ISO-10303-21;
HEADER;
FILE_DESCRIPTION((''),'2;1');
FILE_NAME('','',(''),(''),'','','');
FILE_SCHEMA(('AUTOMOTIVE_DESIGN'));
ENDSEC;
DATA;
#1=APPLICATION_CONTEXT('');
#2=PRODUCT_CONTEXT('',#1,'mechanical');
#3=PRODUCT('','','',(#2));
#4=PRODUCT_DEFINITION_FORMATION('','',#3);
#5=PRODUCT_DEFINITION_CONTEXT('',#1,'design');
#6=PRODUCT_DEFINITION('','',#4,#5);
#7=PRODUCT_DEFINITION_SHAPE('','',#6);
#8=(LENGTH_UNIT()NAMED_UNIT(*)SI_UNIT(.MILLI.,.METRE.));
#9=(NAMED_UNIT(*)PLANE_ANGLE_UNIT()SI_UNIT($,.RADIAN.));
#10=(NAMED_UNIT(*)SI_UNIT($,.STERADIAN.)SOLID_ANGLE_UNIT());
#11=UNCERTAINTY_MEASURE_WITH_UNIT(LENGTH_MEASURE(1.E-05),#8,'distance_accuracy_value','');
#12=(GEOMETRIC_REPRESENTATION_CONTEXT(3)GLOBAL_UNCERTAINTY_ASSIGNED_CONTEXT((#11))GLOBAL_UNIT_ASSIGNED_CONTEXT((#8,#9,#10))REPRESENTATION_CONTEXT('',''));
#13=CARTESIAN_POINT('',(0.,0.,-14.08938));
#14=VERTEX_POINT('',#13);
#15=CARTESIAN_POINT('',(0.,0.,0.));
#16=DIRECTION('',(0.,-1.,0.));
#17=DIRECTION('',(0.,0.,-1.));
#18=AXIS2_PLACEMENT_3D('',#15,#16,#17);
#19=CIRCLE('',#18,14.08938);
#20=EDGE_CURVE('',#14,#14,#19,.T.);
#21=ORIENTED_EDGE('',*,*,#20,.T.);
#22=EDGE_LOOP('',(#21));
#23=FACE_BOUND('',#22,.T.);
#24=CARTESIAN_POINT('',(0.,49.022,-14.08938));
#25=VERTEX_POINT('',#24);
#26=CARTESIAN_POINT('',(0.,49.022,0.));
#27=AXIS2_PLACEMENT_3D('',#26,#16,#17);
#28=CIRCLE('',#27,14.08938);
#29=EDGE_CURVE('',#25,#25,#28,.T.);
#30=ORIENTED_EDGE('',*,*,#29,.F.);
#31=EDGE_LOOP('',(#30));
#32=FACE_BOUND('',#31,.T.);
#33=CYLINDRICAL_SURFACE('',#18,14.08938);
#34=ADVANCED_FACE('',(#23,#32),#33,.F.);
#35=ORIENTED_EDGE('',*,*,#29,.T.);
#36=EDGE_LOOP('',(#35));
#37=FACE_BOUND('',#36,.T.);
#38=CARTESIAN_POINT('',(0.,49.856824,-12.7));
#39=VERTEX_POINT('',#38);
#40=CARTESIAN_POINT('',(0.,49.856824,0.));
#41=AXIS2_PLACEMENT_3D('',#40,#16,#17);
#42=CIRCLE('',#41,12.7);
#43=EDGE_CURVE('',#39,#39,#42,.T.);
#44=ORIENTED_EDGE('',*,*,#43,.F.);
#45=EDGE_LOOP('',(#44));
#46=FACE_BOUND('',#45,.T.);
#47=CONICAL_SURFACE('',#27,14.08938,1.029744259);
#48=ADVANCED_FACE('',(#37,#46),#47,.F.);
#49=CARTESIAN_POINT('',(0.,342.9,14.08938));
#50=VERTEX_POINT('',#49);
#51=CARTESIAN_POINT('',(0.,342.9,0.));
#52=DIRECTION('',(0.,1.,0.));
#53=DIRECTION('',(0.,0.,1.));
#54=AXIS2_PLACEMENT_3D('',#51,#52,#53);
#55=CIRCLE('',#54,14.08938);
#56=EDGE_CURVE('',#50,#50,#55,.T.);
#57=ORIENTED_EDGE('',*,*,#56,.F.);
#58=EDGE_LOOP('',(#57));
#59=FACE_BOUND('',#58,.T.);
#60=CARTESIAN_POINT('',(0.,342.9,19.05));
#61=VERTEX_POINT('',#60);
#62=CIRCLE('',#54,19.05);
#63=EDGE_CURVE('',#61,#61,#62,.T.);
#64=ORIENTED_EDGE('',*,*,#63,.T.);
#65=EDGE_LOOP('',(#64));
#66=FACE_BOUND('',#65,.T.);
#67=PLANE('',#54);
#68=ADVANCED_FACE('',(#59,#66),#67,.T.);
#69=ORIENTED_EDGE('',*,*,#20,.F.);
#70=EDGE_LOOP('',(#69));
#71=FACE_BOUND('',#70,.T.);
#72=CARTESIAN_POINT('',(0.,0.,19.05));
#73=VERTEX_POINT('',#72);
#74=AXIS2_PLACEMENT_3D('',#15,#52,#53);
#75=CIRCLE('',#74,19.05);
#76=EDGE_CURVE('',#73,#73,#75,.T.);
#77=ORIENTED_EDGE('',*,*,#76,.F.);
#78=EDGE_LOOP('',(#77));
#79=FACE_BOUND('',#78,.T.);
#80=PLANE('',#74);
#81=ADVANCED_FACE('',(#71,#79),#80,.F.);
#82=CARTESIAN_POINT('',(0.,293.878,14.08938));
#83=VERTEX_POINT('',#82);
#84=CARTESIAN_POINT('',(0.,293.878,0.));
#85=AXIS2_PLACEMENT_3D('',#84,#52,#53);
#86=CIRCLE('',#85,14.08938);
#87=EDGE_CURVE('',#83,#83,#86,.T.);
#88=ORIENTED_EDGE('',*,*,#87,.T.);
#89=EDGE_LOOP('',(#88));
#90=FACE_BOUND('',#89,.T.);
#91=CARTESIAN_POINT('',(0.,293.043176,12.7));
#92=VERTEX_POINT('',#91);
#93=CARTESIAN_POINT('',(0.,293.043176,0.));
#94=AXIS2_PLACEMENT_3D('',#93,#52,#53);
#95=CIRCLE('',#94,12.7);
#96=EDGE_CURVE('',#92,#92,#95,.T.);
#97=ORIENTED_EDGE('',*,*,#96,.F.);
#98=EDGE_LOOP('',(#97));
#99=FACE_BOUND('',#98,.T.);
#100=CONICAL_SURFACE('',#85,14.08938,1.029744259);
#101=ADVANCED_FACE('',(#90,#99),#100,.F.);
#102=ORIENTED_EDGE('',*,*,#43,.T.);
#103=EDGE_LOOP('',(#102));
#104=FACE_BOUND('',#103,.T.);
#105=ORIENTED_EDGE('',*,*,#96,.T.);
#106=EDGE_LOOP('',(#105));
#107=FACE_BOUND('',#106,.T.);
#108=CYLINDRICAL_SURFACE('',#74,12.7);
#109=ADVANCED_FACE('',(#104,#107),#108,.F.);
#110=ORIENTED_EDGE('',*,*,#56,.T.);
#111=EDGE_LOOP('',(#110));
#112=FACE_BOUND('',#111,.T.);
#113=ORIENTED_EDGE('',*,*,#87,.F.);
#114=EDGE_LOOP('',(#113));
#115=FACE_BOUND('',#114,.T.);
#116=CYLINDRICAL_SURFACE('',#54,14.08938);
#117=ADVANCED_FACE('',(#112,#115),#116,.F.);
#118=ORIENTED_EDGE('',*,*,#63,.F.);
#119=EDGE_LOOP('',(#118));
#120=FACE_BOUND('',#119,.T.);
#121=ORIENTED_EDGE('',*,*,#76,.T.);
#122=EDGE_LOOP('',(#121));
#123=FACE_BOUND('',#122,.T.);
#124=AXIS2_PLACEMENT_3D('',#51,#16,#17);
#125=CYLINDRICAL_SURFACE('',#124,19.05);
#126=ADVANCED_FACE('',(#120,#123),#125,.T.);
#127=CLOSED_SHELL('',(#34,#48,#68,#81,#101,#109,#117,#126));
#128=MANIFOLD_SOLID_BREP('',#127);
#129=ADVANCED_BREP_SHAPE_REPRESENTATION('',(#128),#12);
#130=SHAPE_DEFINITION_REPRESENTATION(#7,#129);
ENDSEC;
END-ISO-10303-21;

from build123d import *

# Parameters (mm, degrees)
SKETCH1_R                    = 19.05
BOSS_EXTRUDE1_DEPTH          = 342.9
SKETCH2_R                    = 12.7
CUT_EXTRUDE1_DEPTH           = 343.9
F_1_1_4_7_TAPPED_HOLE1_D     = 28.17876
F_1_1_4_7_TAPPED_HOLE1_DEPTH = 49.022
F_1_1_4_7_TAPPED_HOLE1_TIP   = 8.465753589
F_1_1_4_7_TAPPED_HOLE2_D     = 28.17876
F_1_1_4_7_TAPPED_HOLE2_DEPTH = 49.022
F_1_1_4_7_TAPPED_HOLE2_TIP   = 8.465753589


with BuildPart() as part:
    # Sketch1 → Boss-Extrude1 (new body)
    with BuildSketch(Plane(origin=(0, 0, 0), x_dir=(1, 0, 0), z_dir=(0, 1, 0))):
        Circle(SKETCH1_R)
    extrude(amount=BOSS_EXTRUDE1_DEPTH)

    # Sketch2 → Cut-Extrude1 (cut, through all)
    with BuildSketch(Plane(origin=(0, 342.9, 0), x_dir=(1, 0, 0), z_dir=(0, 1, 0))):
        Circle(SKETCH2_R)
    extrude(amount=-CUT_EXTRUDE1_DEPTH, mode=Mode.SUBTRACT)

    # 1-1/4-7 Tapped Hole1
    with Locations(Plane(origin=(0, 342.9, 0), x_dir=(1, 0, 0), z_dir=(0, 1, 0))):
        with Locations((0, 0)):
            Hole(F_1_1_4_7_TAPPED_HOLE1_D / 2, depth=F_1_1_4_7_TAPPED_HOLE1_DEPTH)
            with Locations((0, 0, -(F_1_1_4_7_TAPPED_HOLE1_DEPTH + F_1_1_4_7_TAPPED_HOLE1_TIP / 2))):  # 118° drill point
                Cone(0, F_1_1_4_7_TAPPED_HOLE1_D / 2, F_1_1_4_7_TAPPED_HOLE1_TIP, mode=Mode.SUBTRACT)

    # 1-1/4-7 Tapped Hole2
    with Locations(Plane(origin=(0, 0, 0), x_dir=(-1, 0, 0), z_dir=(0, -1, 0))):
        with Locations((0, 0)):
            Hole(F_1_1_4_7_TAPPED_HOLE2_D / 2, depth=F_1_1_4_7_TAPPED_HOLE2_DEPTH)
            with Locations((0, 0, -(F_1_1_4_7_TAPPED_HOLE2_DEPTH + F_1_1_4_7_TAPPED_HOLE2_TIP / 2))):  # 118° drill point
                Cone(0, F_1_1_4_7_TAPPED_HOLE2_D / 2, F_1_1_4_7_TAPPED_HOLE2_TIP, mode=Mode.SUBTRACT)


solid = part.part
